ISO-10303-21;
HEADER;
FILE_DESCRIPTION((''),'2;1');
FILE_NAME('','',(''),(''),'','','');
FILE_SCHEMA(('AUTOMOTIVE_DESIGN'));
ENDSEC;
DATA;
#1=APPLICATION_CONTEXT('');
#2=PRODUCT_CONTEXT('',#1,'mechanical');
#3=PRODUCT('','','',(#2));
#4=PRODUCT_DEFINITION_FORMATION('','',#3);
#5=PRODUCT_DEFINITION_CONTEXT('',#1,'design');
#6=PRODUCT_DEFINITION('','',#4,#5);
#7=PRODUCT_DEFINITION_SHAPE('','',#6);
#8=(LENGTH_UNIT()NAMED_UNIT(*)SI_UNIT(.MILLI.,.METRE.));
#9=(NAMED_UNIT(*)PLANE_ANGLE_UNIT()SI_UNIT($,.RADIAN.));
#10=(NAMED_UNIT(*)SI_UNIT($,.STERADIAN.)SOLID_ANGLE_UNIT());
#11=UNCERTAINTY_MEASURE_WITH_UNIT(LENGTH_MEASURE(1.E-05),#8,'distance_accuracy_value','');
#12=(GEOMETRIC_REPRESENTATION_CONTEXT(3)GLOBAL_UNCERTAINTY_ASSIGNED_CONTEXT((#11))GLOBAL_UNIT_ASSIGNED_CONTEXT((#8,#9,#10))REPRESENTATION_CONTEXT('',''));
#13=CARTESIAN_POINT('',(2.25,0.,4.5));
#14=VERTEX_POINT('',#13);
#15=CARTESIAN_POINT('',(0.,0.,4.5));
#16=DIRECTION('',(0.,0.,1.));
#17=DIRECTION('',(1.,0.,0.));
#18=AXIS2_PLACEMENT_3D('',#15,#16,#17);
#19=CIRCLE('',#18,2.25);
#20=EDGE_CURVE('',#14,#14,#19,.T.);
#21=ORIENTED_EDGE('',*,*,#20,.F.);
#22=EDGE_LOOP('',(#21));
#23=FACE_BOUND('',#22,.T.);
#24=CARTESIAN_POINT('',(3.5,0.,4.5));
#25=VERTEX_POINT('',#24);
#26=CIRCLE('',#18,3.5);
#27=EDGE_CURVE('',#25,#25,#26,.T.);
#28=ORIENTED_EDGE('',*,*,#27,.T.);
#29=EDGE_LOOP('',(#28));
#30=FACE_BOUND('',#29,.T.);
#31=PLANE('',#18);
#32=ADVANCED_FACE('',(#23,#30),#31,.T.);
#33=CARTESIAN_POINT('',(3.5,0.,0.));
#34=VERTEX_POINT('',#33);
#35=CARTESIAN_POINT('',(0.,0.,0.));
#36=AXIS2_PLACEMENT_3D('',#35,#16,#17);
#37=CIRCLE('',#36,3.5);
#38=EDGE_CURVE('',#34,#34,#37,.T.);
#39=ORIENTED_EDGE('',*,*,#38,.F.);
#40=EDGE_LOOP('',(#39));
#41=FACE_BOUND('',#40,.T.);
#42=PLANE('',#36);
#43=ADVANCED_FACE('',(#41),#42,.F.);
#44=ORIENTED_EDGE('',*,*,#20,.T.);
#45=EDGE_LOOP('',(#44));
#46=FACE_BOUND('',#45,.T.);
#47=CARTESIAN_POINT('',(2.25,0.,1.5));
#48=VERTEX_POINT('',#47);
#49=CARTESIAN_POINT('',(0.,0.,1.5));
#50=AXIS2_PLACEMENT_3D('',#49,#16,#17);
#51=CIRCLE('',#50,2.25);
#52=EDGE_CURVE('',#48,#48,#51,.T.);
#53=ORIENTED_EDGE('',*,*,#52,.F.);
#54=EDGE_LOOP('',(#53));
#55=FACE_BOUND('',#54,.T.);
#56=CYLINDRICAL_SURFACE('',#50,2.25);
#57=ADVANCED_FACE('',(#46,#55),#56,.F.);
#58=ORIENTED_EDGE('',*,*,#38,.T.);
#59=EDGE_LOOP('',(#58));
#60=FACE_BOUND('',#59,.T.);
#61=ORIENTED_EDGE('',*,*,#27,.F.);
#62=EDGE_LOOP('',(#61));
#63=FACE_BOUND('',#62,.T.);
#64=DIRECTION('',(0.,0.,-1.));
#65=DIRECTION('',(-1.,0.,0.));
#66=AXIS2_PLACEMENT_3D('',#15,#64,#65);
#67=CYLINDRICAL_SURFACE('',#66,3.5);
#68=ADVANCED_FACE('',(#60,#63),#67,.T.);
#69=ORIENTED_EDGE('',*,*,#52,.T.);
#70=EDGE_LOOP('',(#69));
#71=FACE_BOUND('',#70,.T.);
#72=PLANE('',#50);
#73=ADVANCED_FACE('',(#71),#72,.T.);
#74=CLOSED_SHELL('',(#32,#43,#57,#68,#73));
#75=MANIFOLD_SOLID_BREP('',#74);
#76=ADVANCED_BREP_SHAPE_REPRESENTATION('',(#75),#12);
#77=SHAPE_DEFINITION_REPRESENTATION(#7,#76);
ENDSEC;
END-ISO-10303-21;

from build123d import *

# Parameters (mm, degrees)
SKETCH1_R           = 3.5
BOSS_EXTRUDE1_DEPTH = 4.5
SKETCH3_R           = 2.25
CUT_EXTRUDE1_DEPTH  = 3


with BuildPart() as part:
    # Sketch1 → Boss-Extrude1 (new body)
    with BuildSketch(Plane.XY):
        Circle(SKETCH1_R)
    extrude(amount=BOSS_EXTRUDE1_DEPTH)

    # Sketch3 → Cut-Extrude1 (cut)
    with BuildSketch(Plane.XY.offset(4.5)):
        Circle(SKETCH3_R)
    extrude(amount=-CUT_EXTRUDE1_DEPTH, mode=Mode.SUBTRACT)


solid = part.part
